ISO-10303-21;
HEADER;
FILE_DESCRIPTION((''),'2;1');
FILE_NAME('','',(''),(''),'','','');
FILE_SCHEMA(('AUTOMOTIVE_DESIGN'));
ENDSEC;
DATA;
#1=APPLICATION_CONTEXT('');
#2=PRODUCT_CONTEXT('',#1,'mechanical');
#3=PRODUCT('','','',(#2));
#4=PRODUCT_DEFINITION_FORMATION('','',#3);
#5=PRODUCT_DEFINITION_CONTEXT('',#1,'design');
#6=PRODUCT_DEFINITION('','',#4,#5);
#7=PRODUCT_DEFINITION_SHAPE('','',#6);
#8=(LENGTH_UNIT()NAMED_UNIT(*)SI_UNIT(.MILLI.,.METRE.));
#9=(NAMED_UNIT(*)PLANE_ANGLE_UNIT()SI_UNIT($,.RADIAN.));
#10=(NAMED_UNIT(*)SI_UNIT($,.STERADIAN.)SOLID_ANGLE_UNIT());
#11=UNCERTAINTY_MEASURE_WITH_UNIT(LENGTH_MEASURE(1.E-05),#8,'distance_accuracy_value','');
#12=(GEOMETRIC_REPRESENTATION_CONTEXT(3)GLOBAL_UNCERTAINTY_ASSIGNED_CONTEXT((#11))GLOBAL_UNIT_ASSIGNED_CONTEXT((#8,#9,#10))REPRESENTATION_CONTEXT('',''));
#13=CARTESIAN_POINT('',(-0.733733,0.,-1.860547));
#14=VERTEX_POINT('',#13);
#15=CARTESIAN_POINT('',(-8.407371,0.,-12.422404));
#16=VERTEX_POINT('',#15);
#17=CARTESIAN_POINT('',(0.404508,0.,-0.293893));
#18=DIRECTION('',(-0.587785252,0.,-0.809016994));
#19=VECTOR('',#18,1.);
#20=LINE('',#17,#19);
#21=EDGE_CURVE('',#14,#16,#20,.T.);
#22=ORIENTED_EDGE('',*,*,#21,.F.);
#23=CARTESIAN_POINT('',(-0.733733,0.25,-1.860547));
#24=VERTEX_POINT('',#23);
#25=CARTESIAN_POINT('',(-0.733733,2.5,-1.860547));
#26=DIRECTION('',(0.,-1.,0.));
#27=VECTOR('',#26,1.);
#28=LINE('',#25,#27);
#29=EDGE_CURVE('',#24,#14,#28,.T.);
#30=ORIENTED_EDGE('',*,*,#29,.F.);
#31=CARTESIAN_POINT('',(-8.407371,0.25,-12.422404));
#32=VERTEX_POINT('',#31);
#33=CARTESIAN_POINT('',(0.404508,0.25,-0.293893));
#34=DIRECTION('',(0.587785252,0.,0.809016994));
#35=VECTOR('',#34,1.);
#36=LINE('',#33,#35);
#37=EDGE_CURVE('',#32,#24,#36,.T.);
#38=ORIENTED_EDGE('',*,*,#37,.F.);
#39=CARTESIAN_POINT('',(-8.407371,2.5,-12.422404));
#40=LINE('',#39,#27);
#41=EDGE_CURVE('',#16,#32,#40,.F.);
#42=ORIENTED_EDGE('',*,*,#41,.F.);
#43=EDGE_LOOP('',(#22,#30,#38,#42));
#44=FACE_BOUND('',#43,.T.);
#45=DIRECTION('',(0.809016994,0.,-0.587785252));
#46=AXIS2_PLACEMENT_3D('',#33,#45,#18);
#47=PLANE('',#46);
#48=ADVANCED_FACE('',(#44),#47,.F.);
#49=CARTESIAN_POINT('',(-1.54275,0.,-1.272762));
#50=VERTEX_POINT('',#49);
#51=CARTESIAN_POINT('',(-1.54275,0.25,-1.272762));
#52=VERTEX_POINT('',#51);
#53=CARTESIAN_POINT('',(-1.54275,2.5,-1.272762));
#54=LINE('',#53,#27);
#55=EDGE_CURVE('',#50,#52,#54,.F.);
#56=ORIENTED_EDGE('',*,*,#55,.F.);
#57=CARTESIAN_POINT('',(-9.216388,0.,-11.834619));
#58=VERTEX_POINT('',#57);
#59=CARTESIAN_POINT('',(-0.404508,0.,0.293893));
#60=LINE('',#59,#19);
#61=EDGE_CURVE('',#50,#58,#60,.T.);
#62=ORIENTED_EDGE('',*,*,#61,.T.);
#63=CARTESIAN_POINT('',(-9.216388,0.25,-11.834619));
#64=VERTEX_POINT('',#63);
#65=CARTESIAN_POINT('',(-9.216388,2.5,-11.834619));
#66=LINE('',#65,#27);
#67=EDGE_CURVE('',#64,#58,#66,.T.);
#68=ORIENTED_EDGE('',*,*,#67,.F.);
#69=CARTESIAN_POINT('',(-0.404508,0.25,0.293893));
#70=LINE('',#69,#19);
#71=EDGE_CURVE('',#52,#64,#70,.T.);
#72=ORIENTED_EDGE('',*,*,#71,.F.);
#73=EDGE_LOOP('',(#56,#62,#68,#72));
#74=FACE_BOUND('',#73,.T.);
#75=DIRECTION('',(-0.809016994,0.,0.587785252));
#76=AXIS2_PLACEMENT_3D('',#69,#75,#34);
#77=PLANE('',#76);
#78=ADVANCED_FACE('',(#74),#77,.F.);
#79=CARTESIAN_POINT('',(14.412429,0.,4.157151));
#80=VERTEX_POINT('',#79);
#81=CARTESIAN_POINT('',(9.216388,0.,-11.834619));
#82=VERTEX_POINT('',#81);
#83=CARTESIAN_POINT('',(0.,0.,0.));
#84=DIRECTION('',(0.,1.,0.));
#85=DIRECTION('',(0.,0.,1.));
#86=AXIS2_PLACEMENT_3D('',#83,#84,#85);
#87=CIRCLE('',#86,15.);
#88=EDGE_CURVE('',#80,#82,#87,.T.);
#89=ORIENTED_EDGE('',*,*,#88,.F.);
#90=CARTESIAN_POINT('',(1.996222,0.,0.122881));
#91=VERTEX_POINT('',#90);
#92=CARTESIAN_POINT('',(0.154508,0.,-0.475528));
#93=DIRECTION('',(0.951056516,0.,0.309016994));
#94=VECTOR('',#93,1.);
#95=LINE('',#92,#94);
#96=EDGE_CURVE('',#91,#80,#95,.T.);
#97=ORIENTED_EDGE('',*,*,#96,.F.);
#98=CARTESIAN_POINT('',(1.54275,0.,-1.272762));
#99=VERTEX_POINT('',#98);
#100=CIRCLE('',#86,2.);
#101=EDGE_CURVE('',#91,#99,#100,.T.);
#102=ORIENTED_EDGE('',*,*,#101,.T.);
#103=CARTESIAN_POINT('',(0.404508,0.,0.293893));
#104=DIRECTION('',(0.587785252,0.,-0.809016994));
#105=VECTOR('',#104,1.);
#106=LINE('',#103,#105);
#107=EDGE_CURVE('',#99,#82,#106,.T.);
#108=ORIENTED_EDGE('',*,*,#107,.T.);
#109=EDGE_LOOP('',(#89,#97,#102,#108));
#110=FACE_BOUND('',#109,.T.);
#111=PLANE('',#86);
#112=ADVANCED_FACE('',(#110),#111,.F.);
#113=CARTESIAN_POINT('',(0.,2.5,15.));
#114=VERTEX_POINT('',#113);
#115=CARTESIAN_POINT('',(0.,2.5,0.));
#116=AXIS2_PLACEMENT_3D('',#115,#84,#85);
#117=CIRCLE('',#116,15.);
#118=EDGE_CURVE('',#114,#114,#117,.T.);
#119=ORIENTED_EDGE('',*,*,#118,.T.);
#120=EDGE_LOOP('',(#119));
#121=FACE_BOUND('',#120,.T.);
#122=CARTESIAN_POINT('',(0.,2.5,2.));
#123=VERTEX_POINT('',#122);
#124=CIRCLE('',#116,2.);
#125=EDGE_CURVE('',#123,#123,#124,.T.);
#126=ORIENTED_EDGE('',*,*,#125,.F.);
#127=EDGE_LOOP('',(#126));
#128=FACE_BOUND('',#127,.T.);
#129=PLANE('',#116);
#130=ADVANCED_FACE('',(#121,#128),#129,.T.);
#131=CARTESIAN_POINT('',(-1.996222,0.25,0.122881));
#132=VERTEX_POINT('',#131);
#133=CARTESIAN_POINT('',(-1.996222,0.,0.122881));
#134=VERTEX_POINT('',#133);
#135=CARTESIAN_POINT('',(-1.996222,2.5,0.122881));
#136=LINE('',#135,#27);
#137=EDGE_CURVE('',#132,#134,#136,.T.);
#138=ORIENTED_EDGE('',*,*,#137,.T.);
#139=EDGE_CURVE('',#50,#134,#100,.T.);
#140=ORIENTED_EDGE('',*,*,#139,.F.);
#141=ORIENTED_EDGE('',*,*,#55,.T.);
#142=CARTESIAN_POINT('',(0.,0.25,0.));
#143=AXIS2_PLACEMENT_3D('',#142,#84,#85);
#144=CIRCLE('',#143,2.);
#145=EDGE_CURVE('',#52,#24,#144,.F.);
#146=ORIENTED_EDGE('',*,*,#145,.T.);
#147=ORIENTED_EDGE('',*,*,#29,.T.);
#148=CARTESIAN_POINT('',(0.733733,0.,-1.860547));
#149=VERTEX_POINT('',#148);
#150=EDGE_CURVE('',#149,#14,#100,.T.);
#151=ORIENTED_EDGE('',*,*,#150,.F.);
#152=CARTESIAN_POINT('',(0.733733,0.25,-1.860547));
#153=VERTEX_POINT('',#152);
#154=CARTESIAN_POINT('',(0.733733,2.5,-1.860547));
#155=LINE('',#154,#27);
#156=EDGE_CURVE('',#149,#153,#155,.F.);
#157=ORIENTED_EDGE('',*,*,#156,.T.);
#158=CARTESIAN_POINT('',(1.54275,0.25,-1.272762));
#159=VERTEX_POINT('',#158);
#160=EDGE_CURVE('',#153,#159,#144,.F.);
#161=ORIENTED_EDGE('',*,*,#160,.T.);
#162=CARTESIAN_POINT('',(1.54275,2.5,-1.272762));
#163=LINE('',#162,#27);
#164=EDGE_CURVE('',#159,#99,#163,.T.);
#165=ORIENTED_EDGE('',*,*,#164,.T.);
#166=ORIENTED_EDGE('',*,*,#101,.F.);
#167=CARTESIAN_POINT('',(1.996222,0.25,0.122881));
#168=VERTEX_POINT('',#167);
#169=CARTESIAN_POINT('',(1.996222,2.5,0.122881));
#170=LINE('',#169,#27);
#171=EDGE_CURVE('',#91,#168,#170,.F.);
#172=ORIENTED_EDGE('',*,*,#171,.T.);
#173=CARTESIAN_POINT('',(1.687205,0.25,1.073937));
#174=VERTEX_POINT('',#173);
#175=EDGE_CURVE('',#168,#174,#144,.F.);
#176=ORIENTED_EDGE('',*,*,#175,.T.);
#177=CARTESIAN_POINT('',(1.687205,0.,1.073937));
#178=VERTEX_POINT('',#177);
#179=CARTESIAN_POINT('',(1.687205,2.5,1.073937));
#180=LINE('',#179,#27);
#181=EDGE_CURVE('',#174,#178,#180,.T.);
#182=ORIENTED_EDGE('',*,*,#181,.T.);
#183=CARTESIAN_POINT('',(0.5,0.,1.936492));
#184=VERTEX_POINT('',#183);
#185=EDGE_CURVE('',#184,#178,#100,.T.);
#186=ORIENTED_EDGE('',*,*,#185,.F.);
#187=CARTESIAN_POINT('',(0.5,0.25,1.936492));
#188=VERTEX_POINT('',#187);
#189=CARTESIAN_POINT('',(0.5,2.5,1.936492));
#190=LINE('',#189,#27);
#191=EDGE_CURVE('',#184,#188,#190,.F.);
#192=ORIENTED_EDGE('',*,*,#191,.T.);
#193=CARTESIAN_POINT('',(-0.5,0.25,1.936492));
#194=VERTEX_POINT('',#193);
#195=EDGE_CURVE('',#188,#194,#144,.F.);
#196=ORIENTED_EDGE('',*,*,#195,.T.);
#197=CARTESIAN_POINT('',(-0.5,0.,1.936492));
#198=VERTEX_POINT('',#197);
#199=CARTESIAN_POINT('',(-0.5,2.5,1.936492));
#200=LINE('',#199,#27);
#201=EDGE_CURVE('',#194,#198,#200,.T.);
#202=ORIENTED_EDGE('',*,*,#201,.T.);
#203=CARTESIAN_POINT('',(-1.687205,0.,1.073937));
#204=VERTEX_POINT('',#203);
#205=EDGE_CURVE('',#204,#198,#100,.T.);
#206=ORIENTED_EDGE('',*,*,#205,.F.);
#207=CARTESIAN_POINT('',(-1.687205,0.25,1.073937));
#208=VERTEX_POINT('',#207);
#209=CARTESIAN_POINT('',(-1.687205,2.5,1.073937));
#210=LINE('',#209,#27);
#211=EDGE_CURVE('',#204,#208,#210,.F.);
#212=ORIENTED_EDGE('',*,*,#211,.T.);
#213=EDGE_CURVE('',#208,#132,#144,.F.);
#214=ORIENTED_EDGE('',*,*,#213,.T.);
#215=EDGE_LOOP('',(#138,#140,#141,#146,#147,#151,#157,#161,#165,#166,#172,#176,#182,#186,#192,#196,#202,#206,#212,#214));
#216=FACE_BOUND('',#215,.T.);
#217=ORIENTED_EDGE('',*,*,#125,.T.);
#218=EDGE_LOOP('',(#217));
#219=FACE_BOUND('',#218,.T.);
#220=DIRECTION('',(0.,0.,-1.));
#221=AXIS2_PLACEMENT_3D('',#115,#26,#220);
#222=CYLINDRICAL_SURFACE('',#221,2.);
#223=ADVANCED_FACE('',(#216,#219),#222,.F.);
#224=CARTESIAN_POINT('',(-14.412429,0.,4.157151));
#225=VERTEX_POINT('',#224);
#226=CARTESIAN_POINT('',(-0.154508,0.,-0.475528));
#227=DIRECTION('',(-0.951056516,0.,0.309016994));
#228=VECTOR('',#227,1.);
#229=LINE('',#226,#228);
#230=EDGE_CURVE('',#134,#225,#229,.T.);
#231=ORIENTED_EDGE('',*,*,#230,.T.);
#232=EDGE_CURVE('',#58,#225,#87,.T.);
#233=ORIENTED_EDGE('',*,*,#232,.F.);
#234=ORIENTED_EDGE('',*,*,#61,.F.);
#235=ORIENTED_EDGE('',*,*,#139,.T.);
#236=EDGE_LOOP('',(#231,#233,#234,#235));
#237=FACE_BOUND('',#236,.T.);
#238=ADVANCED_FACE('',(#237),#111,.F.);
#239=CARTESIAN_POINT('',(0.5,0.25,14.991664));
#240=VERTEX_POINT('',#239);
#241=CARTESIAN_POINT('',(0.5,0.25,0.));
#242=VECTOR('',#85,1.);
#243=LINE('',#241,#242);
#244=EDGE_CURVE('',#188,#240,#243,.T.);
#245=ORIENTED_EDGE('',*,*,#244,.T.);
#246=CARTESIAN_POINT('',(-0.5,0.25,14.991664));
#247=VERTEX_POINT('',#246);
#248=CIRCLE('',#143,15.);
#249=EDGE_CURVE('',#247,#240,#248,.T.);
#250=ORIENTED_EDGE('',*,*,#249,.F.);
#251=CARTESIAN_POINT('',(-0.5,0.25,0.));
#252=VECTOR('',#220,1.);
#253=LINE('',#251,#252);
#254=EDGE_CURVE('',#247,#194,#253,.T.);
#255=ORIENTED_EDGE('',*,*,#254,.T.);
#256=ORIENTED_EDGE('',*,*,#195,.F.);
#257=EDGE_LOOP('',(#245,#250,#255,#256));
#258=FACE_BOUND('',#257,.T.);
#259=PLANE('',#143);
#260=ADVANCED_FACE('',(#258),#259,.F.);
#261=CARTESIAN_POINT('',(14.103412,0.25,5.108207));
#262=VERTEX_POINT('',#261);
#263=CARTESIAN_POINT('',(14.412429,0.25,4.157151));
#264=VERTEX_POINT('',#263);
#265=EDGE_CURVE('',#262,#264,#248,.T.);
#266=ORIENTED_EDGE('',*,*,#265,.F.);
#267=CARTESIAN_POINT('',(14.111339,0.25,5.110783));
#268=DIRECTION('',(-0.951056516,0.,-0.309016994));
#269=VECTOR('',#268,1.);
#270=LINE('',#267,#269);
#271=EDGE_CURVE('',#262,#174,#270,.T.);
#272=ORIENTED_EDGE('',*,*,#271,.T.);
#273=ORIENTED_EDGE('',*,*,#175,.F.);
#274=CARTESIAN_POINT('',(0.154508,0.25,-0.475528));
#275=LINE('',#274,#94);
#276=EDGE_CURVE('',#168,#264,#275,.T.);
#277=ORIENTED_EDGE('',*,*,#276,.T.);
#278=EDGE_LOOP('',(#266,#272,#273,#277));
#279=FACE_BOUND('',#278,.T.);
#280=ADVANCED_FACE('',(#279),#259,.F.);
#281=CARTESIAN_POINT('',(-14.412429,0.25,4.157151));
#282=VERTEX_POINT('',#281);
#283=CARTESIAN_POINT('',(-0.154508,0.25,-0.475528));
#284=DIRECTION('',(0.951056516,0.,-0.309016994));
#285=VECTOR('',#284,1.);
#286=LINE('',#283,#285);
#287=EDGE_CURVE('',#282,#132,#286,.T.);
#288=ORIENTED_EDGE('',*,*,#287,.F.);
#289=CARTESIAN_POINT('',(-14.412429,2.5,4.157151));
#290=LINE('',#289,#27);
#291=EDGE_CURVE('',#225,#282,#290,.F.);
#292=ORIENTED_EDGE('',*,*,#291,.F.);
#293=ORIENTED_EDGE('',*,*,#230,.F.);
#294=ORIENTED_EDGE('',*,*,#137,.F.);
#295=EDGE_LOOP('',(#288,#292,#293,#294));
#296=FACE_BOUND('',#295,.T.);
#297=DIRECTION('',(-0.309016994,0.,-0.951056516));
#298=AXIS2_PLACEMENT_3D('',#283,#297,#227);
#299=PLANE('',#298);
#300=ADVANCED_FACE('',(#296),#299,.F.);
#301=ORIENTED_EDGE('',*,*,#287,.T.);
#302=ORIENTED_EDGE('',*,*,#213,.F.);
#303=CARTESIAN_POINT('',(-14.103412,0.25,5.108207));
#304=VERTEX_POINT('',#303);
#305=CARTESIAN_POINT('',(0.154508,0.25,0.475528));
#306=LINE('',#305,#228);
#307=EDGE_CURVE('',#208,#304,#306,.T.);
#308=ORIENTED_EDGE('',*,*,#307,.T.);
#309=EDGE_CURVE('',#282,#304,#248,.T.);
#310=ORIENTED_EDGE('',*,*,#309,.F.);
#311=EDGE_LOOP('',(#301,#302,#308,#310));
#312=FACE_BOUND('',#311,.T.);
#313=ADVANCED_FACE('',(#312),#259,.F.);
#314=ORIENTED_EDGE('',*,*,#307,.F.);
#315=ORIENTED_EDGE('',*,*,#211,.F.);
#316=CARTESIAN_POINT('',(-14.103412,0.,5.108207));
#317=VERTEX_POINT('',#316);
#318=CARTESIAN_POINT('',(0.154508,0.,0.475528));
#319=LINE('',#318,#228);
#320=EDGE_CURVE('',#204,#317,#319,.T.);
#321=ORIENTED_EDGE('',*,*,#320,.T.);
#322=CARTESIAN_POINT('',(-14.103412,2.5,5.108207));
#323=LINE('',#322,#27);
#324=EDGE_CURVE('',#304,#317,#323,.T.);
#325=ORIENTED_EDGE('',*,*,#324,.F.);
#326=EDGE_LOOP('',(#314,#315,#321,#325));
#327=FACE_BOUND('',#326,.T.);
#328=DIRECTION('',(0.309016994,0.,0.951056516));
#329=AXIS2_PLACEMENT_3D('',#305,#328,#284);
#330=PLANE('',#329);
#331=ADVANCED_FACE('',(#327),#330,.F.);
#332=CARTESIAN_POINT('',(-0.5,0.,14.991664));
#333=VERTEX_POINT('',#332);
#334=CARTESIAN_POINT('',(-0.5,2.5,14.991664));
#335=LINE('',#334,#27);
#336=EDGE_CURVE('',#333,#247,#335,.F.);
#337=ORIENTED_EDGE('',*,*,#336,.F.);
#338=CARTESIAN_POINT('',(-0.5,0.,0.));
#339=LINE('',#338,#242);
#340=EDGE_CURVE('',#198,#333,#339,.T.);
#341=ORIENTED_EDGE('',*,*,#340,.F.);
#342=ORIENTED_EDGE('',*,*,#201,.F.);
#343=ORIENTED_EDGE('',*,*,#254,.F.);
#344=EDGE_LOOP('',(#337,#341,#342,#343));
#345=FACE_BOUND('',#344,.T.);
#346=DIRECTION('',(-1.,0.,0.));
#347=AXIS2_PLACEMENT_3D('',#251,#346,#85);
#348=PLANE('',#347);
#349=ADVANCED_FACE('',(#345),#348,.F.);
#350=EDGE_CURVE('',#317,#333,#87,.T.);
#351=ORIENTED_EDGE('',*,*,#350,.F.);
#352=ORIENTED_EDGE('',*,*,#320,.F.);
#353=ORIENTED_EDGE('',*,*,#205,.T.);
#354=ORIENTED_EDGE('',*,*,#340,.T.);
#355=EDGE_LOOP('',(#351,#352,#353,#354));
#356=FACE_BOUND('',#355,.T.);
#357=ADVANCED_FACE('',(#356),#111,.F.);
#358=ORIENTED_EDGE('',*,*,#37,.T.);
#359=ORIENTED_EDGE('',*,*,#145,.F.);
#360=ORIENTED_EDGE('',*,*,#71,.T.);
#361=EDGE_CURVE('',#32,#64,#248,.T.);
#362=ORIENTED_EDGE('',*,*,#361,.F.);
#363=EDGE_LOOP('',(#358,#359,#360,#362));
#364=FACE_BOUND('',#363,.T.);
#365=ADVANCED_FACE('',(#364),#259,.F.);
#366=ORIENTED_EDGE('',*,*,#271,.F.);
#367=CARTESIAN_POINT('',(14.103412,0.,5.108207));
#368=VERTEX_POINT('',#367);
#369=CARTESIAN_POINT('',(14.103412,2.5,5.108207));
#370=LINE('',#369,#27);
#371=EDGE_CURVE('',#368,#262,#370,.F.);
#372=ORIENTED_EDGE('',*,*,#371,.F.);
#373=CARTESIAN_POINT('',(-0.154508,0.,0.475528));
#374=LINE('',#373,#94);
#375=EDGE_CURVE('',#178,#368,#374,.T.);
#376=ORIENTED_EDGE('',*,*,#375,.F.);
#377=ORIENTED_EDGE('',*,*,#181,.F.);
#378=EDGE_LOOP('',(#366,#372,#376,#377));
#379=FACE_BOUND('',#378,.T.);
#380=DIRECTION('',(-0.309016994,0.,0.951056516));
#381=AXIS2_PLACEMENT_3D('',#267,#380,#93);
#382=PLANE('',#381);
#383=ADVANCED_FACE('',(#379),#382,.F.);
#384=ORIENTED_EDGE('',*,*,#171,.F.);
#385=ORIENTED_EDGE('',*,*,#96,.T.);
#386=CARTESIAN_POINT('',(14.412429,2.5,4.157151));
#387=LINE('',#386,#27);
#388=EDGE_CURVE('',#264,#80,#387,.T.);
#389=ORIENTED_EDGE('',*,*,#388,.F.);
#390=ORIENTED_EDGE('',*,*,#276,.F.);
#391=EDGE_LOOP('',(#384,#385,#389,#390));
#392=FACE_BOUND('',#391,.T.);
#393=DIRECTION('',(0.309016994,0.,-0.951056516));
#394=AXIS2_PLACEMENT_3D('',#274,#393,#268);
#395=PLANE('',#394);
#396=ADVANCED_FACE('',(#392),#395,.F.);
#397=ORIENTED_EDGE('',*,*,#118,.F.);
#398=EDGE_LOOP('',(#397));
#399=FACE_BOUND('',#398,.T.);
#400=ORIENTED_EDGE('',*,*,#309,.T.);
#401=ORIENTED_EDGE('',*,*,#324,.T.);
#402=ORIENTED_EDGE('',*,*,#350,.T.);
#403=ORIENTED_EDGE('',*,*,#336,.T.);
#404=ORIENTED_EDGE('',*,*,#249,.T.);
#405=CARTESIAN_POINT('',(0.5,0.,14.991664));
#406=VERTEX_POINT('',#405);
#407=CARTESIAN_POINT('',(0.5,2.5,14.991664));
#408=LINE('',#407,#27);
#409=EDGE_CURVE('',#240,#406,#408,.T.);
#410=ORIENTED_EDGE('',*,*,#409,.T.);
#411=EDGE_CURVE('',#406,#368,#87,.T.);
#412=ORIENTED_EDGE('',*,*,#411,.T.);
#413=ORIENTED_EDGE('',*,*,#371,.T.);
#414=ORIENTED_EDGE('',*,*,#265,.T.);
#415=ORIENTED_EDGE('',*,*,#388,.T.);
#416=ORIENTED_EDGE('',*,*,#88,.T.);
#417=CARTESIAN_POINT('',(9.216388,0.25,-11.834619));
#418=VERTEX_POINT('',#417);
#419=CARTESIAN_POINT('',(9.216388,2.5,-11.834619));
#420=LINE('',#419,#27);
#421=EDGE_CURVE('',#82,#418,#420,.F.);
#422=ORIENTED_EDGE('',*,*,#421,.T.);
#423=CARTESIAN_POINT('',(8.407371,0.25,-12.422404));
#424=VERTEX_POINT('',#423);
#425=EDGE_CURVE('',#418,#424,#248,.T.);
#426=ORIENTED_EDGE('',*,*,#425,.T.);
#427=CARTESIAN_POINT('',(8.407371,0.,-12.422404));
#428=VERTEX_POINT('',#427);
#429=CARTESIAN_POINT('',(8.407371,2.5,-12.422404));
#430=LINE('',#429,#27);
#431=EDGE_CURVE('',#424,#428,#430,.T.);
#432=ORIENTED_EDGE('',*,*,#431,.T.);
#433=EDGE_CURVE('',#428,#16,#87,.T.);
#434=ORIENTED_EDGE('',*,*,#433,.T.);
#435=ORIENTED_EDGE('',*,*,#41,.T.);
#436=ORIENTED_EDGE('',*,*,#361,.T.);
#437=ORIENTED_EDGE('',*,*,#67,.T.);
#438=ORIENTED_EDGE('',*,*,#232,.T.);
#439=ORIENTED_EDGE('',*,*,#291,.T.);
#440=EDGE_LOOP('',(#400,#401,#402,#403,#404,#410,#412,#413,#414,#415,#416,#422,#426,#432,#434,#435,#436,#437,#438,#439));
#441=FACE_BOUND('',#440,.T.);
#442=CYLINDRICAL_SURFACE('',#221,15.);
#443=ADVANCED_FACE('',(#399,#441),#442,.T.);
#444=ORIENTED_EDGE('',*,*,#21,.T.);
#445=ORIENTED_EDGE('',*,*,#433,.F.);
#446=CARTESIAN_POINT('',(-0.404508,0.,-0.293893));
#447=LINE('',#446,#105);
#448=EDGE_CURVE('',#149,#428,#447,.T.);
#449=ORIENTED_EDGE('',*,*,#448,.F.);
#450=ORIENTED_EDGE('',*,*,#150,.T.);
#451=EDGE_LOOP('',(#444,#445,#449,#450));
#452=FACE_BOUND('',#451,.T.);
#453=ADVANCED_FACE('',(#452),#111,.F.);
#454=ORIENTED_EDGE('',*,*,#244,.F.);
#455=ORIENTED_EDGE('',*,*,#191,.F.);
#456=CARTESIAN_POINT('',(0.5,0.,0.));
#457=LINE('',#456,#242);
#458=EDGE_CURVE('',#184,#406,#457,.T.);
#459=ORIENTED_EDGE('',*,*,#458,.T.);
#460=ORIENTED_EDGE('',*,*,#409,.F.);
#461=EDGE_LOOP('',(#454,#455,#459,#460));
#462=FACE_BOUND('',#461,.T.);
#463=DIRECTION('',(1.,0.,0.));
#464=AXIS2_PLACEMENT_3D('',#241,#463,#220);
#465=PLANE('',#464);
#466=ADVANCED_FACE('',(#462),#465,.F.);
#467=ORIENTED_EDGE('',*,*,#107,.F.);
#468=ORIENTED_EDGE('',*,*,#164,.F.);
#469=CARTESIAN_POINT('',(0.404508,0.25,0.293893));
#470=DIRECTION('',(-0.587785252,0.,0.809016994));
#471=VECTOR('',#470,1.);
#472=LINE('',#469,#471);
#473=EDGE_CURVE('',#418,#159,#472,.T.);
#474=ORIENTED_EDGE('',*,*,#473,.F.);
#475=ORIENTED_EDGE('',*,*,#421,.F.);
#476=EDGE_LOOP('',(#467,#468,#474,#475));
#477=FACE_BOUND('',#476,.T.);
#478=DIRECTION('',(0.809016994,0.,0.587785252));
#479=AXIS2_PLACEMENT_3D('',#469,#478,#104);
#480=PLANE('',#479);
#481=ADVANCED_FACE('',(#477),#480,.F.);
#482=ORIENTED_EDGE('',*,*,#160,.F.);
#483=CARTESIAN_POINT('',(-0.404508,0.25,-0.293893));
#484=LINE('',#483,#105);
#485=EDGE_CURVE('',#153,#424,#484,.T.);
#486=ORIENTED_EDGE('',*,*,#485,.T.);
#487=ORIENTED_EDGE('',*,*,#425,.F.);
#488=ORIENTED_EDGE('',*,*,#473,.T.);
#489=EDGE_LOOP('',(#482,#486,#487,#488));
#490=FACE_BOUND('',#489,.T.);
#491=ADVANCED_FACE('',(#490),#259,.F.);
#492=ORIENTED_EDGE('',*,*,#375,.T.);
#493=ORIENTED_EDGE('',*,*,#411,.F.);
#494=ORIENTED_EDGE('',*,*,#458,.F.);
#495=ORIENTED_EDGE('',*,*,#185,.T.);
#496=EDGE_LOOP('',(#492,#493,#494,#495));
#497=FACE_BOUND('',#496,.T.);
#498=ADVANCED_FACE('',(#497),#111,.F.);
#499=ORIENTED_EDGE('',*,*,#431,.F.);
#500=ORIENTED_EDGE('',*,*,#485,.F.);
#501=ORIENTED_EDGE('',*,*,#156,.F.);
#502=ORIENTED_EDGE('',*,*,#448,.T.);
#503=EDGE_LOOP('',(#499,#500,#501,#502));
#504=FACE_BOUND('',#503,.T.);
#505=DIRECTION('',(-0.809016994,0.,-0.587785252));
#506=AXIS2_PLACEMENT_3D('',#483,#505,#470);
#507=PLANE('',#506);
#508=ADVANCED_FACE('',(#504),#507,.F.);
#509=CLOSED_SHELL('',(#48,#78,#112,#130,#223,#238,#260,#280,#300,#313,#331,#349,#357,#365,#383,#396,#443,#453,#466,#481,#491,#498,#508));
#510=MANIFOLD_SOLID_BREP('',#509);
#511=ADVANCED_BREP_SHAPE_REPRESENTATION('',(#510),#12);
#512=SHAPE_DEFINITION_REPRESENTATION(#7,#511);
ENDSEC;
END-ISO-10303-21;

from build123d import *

# Parameters (mm, degrees)
SKETCH1_R           = 15
BOSS_EXTRUDE1_DEPTH = 2.5
CUT_EXTRUDE3_DEPTH  = 0.25
SKETCH3_R           = 2
CUT_EXTRUDE4_DEPTH  = 3.5


with BuildPart() as part:
    # Sketch1 → Boss-Extrude1 (new body)
    with BuildSketch(Plane(origin=(0, 0, 0), x_dir=(1, 0, 0), z_dir=(0, 1, 0))):
        Circle(SKETCH1_R)
    extrude(amount=BOSS_EXTRUDE1_DEPTH)

    # Sketch2 → Cut-Extrude3 (cut)
    with BuildSketch(Plane(origin=(0, 0, 0), x_dir=(1, 0, 0), z_dir=(0, 1, 0))):
        with BuildLine():
            Line((0, 0.850650808), (-8.412270287, 12.429147542))
            ThreePointArc((-8.412270287, 12.429147542), (-8.821675635, 12.141994852), (-9.221287282, 11.841362289))
            Line((-9.221287282, 11.841362289), (-0.809016994, 0.262865556))
            Line((-0.809016994, 0.262865556), (-14.420356242, -4.159726657))
            ThreePointArc((-14.420356242, -4.159726657), (-14.273771015, -4.637829342), (-14.111339247, -5.110783174))
            Line((-14.111339247, -5.110783174), (-0.5, -0.68819096))
            Line((-0.5, -0.68819096), (-0.5, -15))
            ThreePointArc((-0.5, -15), (0, -15.00833102), (0.5, -15))
            Line((0.5, -15), (0.5, -0.68819096))
            Line((0.5, -0.68819096), (14.111339247, -5.110783174))
            ThreePointArc((14.111339247, -5.110783174), (14.273771015, -4.637829342), (14.420356242, -4.159726657))
            Line((14.420356242, -4.159726657), (0.809016994, 0.262865556))
            Line((0.809016994, 0.262865556), (9.221287282, 11.841362289))
            ThreePointArc((9.221287282, 11.841362289), (8.821675635, 12.141994852), (8.412270287, 12.429147542))
            Line((8.412270287, 12.429147542), (0, 0.850650808))
        make_face()
    extrude(amount=CUT_EXTRUDE3_DEPTH, mode=Mode.SUBTRACT)

    # Sketch3 → Cut-Extrude4 (cut, through all)
    with BuildSketch(Plane(origin=(0, 0, 0), x_dir=(1, 0, 0), z_dir=(0, 1, 0))):
        Circle(SKETCH3_R)
    extrude(amount=CUT_EXTRUDE4_DEPTH, mode=Mode.SUBTRACT)


solid = part.part
